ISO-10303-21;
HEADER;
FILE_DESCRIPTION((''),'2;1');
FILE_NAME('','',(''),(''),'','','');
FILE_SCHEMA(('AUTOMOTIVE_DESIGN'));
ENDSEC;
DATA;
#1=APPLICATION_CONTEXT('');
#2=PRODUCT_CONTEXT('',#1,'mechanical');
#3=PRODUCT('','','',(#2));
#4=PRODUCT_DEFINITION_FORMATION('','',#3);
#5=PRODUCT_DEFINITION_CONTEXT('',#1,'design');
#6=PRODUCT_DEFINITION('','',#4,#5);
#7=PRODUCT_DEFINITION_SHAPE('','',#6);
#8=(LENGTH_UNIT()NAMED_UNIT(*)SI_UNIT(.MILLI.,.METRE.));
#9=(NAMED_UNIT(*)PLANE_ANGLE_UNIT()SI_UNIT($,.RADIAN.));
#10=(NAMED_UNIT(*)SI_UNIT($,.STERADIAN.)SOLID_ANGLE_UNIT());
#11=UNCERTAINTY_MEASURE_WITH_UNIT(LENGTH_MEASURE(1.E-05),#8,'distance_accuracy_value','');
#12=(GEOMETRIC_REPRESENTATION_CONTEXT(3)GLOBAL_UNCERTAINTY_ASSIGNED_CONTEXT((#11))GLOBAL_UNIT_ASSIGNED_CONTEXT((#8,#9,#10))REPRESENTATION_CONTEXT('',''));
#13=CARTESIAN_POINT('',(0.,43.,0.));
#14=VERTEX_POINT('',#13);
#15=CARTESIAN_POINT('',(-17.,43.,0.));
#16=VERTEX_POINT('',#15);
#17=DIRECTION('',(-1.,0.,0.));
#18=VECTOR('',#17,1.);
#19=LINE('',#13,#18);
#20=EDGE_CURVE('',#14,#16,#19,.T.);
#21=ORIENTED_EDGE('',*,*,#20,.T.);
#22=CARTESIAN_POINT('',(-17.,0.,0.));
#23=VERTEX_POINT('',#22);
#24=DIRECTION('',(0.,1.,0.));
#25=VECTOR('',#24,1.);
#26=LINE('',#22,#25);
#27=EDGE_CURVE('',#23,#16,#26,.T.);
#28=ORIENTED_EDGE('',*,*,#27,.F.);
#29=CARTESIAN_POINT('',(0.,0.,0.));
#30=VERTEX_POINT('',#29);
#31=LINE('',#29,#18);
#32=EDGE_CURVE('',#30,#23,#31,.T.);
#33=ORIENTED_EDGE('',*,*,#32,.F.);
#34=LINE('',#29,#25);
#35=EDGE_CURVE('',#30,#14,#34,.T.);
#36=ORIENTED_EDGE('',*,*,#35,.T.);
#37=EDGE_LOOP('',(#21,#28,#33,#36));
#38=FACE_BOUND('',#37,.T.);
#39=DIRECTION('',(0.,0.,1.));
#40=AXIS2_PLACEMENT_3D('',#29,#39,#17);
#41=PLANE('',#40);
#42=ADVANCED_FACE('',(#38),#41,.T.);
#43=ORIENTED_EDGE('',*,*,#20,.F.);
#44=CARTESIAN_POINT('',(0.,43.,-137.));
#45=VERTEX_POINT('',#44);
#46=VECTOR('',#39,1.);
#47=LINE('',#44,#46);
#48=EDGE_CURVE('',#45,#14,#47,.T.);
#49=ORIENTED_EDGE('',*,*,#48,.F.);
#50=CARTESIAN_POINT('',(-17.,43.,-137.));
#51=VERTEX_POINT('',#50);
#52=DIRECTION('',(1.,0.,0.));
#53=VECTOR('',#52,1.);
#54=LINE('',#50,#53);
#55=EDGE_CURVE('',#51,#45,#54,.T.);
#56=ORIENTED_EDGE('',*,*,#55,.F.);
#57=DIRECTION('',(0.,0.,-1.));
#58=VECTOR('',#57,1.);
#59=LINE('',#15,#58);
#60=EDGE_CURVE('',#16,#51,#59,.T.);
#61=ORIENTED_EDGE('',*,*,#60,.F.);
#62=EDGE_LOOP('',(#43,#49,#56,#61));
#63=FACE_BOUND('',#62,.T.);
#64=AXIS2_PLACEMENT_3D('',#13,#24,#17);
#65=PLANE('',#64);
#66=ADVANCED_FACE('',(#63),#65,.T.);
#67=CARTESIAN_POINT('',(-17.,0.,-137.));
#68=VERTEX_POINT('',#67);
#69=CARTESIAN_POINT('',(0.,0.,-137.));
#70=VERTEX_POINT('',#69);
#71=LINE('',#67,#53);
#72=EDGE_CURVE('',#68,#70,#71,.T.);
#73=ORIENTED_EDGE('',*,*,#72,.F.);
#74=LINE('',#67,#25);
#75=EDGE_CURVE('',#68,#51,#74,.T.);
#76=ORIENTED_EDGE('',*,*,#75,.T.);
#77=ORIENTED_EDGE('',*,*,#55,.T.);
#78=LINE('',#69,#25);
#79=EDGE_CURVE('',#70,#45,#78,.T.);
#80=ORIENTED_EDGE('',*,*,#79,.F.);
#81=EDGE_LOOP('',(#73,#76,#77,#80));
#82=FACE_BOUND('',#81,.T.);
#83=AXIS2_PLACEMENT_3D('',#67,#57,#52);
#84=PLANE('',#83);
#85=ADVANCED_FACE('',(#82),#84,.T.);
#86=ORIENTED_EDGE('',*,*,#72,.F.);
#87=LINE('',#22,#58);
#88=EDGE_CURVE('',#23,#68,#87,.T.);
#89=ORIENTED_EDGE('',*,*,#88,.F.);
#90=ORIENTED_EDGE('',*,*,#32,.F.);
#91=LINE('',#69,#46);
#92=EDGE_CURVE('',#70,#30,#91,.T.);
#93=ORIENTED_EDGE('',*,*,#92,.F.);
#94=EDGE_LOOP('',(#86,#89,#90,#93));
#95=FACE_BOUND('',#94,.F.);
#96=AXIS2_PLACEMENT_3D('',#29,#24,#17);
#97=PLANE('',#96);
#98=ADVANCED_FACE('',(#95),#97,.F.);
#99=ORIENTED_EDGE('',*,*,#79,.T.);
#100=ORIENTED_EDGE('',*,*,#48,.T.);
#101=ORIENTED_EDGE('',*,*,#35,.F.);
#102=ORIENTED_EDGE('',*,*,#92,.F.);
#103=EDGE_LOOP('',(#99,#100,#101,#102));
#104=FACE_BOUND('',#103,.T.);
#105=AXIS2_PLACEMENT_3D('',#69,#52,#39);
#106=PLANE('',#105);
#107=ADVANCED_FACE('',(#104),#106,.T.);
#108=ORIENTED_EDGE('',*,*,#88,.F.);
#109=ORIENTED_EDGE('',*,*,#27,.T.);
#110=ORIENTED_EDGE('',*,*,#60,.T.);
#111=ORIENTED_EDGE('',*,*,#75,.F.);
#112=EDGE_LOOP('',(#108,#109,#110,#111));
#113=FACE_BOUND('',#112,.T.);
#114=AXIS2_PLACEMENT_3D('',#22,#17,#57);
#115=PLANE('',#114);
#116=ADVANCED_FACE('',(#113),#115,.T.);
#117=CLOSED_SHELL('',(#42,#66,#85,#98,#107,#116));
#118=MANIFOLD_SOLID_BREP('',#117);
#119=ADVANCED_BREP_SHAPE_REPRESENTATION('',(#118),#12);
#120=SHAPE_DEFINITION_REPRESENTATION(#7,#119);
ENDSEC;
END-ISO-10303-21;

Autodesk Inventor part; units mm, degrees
ref_plane "YZ Plane" through (0, 0, 0) normal (1, 0, 0) x (0, 1, 0)
ref_plane "XZ Plane" through (0, 0, 0) normal (0, 1, 0) x (-1, 0, 0)
ref_plane "XY Plane" through (0, 0, 0) normal (0, 0, 1) x (1, 0, 0)
sketch "Sketch1" plane through (0, 0, 0) normal (0, 1, 0) x (-1, 0, 0)
  line L0 (0, 0) -> (17, 0)
  line L1 (17, 0) -> (17, -137)
  line L2 (17, -137) -> (0, -137)
  line L3 (0, -137) -> (0, 0)
  dimension "d0" = 17
  dimension "d1" = 137
extrude "Extrusion1" add sketch "Sketch1" along normal blind 43
properties part number "akksi" material "Iron, Cast"
